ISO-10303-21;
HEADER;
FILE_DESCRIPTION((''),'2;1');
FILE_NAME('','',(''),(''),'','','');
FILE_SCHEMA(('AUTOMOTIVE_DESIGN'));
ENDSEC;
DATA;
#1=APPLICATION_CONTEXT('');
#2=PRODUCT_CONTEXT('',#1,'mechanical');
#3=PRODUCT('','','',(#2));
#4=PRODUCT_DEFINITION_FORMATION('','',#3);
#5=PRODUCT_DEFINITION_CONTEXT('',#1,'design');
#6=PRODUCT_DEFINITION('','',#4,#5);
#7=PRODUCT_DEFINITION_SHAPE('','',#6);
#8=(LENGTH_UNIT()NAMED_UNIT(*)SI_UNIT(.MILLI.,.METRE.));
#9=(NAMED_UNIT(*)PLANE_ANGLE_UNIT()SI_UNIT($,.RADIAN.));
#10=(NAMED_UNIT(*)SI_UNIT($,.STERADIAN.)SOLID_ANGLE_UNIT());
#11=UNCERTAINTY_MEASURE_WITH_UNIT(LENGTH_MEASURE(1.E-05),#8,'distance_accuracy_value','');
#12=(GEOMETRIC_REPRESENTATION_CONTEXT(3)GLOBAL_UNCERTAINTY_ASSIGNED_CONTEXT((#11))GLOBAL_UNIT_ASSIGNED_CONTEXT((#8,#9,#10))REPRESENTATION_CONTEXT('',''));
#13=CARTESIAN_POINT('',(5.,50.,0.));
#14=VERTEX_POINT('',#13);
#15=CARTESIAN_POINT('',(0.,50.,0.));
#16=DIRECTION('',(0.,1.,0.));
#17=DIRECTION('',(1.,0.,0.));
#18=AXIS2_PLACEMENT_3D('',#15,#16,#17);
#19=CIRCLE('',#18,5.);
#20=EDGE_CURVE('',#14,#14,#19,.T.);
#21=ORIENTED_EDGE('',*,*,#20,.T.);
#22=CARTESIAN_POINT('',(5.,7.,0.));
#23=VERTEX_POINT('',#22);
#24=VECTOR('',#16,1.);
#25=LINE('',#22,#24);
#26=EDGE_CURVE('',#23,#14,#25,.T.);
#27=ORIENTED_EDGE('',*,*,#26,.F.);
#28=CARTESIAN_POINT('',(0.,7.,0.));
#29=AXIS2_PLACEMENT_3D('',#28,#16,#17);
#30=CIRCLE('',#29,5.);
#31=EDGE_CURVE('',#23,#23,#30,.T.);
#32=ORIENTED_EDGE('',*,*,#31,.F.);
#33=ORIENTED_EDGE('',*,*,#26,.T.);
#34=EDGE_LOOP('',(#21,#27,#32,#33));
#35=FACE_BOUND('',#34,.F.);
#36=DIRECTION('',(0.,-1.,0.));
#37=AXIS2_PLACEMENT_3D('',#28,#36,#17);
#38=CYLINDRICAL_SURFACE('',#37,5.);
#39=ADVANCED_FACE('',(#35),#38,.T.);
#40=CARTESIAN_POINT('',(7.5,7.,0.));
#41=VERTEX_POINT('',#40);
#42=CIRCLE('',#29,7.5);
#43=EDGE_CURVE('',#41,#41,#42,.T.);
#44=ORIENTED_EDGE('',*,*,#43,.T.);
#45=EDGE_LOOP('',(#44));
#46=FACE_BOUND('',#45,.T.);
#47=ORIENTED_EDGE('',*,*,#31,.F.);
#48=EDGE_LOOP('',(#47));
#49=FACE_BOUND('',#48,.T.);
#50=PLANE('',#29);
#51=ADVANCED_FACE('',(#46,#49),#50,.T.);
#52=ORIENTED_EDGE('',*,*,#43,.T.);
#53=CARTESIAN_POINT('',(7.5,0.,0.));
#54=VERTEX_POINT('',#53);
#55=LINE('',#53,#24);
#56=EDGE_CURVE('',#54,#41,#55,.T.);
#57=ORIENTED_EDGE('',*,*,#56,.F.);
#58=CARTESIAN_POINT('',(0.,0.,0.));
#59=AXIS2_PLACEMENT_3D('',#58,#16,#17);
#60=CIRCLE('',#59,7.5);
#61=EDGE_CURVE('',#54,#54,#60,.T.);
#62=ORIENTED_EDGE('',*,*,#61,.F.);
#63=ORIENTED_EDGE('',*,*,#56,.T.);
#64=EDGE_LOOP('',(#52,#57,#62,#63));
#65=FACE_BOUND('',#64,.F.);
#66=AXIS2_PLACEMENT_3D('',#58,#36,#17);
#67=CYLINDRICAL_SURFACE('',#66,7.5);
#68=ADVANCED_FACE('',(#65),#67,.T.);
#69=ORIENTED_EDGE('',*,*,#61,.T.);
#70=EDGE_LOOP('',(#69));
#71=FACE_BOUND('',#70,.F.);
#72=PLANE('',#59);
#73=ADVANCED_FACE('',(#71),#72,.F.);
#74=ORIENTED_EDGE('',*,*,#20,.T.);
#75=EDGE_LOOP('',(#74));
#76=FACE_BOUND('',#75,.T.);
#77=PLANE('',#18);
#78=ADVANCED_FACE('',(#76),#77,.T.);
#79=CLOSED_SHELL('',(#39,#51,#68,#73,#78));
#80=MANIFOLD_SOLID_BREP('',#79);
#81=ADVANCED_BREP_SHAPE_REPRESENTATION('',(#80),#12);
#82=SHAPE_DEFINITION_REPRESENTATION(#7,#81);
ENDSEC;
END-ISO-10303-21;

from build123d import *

# Parameters (mm, degrees)
SKETCH1_R           = 7.5
BOSS_EXTRUDE1_DEPTH = 7
SKETCH2_R           = 5
BOSS_EXTRUDE2_DEPTH = 43


with BuildPart() as part:
    # Sketch1 → Boss-Extrude1 (new body)
    with BuildSketch(Plane(origin=(0, 0, 0), x_dir=(1, 0, 0), z_dir=(0, 1, 0))):
        Circle(SKETCH1_R)
    extrude(amount=BOSS_EXTRUDE1_DEPTH)

    # Sketch2 → Boss-Extrude2 (add)
    with BuildSketch(Plane(origin=(0, 7, 0), x_dir=(1, 0, 0), z_dir=(0, 1, 0))):
        Circle(SKETCH2_R)
    extrude(amount=BOSS_EXTRUDE2_DEPTH)


solid = part.part
